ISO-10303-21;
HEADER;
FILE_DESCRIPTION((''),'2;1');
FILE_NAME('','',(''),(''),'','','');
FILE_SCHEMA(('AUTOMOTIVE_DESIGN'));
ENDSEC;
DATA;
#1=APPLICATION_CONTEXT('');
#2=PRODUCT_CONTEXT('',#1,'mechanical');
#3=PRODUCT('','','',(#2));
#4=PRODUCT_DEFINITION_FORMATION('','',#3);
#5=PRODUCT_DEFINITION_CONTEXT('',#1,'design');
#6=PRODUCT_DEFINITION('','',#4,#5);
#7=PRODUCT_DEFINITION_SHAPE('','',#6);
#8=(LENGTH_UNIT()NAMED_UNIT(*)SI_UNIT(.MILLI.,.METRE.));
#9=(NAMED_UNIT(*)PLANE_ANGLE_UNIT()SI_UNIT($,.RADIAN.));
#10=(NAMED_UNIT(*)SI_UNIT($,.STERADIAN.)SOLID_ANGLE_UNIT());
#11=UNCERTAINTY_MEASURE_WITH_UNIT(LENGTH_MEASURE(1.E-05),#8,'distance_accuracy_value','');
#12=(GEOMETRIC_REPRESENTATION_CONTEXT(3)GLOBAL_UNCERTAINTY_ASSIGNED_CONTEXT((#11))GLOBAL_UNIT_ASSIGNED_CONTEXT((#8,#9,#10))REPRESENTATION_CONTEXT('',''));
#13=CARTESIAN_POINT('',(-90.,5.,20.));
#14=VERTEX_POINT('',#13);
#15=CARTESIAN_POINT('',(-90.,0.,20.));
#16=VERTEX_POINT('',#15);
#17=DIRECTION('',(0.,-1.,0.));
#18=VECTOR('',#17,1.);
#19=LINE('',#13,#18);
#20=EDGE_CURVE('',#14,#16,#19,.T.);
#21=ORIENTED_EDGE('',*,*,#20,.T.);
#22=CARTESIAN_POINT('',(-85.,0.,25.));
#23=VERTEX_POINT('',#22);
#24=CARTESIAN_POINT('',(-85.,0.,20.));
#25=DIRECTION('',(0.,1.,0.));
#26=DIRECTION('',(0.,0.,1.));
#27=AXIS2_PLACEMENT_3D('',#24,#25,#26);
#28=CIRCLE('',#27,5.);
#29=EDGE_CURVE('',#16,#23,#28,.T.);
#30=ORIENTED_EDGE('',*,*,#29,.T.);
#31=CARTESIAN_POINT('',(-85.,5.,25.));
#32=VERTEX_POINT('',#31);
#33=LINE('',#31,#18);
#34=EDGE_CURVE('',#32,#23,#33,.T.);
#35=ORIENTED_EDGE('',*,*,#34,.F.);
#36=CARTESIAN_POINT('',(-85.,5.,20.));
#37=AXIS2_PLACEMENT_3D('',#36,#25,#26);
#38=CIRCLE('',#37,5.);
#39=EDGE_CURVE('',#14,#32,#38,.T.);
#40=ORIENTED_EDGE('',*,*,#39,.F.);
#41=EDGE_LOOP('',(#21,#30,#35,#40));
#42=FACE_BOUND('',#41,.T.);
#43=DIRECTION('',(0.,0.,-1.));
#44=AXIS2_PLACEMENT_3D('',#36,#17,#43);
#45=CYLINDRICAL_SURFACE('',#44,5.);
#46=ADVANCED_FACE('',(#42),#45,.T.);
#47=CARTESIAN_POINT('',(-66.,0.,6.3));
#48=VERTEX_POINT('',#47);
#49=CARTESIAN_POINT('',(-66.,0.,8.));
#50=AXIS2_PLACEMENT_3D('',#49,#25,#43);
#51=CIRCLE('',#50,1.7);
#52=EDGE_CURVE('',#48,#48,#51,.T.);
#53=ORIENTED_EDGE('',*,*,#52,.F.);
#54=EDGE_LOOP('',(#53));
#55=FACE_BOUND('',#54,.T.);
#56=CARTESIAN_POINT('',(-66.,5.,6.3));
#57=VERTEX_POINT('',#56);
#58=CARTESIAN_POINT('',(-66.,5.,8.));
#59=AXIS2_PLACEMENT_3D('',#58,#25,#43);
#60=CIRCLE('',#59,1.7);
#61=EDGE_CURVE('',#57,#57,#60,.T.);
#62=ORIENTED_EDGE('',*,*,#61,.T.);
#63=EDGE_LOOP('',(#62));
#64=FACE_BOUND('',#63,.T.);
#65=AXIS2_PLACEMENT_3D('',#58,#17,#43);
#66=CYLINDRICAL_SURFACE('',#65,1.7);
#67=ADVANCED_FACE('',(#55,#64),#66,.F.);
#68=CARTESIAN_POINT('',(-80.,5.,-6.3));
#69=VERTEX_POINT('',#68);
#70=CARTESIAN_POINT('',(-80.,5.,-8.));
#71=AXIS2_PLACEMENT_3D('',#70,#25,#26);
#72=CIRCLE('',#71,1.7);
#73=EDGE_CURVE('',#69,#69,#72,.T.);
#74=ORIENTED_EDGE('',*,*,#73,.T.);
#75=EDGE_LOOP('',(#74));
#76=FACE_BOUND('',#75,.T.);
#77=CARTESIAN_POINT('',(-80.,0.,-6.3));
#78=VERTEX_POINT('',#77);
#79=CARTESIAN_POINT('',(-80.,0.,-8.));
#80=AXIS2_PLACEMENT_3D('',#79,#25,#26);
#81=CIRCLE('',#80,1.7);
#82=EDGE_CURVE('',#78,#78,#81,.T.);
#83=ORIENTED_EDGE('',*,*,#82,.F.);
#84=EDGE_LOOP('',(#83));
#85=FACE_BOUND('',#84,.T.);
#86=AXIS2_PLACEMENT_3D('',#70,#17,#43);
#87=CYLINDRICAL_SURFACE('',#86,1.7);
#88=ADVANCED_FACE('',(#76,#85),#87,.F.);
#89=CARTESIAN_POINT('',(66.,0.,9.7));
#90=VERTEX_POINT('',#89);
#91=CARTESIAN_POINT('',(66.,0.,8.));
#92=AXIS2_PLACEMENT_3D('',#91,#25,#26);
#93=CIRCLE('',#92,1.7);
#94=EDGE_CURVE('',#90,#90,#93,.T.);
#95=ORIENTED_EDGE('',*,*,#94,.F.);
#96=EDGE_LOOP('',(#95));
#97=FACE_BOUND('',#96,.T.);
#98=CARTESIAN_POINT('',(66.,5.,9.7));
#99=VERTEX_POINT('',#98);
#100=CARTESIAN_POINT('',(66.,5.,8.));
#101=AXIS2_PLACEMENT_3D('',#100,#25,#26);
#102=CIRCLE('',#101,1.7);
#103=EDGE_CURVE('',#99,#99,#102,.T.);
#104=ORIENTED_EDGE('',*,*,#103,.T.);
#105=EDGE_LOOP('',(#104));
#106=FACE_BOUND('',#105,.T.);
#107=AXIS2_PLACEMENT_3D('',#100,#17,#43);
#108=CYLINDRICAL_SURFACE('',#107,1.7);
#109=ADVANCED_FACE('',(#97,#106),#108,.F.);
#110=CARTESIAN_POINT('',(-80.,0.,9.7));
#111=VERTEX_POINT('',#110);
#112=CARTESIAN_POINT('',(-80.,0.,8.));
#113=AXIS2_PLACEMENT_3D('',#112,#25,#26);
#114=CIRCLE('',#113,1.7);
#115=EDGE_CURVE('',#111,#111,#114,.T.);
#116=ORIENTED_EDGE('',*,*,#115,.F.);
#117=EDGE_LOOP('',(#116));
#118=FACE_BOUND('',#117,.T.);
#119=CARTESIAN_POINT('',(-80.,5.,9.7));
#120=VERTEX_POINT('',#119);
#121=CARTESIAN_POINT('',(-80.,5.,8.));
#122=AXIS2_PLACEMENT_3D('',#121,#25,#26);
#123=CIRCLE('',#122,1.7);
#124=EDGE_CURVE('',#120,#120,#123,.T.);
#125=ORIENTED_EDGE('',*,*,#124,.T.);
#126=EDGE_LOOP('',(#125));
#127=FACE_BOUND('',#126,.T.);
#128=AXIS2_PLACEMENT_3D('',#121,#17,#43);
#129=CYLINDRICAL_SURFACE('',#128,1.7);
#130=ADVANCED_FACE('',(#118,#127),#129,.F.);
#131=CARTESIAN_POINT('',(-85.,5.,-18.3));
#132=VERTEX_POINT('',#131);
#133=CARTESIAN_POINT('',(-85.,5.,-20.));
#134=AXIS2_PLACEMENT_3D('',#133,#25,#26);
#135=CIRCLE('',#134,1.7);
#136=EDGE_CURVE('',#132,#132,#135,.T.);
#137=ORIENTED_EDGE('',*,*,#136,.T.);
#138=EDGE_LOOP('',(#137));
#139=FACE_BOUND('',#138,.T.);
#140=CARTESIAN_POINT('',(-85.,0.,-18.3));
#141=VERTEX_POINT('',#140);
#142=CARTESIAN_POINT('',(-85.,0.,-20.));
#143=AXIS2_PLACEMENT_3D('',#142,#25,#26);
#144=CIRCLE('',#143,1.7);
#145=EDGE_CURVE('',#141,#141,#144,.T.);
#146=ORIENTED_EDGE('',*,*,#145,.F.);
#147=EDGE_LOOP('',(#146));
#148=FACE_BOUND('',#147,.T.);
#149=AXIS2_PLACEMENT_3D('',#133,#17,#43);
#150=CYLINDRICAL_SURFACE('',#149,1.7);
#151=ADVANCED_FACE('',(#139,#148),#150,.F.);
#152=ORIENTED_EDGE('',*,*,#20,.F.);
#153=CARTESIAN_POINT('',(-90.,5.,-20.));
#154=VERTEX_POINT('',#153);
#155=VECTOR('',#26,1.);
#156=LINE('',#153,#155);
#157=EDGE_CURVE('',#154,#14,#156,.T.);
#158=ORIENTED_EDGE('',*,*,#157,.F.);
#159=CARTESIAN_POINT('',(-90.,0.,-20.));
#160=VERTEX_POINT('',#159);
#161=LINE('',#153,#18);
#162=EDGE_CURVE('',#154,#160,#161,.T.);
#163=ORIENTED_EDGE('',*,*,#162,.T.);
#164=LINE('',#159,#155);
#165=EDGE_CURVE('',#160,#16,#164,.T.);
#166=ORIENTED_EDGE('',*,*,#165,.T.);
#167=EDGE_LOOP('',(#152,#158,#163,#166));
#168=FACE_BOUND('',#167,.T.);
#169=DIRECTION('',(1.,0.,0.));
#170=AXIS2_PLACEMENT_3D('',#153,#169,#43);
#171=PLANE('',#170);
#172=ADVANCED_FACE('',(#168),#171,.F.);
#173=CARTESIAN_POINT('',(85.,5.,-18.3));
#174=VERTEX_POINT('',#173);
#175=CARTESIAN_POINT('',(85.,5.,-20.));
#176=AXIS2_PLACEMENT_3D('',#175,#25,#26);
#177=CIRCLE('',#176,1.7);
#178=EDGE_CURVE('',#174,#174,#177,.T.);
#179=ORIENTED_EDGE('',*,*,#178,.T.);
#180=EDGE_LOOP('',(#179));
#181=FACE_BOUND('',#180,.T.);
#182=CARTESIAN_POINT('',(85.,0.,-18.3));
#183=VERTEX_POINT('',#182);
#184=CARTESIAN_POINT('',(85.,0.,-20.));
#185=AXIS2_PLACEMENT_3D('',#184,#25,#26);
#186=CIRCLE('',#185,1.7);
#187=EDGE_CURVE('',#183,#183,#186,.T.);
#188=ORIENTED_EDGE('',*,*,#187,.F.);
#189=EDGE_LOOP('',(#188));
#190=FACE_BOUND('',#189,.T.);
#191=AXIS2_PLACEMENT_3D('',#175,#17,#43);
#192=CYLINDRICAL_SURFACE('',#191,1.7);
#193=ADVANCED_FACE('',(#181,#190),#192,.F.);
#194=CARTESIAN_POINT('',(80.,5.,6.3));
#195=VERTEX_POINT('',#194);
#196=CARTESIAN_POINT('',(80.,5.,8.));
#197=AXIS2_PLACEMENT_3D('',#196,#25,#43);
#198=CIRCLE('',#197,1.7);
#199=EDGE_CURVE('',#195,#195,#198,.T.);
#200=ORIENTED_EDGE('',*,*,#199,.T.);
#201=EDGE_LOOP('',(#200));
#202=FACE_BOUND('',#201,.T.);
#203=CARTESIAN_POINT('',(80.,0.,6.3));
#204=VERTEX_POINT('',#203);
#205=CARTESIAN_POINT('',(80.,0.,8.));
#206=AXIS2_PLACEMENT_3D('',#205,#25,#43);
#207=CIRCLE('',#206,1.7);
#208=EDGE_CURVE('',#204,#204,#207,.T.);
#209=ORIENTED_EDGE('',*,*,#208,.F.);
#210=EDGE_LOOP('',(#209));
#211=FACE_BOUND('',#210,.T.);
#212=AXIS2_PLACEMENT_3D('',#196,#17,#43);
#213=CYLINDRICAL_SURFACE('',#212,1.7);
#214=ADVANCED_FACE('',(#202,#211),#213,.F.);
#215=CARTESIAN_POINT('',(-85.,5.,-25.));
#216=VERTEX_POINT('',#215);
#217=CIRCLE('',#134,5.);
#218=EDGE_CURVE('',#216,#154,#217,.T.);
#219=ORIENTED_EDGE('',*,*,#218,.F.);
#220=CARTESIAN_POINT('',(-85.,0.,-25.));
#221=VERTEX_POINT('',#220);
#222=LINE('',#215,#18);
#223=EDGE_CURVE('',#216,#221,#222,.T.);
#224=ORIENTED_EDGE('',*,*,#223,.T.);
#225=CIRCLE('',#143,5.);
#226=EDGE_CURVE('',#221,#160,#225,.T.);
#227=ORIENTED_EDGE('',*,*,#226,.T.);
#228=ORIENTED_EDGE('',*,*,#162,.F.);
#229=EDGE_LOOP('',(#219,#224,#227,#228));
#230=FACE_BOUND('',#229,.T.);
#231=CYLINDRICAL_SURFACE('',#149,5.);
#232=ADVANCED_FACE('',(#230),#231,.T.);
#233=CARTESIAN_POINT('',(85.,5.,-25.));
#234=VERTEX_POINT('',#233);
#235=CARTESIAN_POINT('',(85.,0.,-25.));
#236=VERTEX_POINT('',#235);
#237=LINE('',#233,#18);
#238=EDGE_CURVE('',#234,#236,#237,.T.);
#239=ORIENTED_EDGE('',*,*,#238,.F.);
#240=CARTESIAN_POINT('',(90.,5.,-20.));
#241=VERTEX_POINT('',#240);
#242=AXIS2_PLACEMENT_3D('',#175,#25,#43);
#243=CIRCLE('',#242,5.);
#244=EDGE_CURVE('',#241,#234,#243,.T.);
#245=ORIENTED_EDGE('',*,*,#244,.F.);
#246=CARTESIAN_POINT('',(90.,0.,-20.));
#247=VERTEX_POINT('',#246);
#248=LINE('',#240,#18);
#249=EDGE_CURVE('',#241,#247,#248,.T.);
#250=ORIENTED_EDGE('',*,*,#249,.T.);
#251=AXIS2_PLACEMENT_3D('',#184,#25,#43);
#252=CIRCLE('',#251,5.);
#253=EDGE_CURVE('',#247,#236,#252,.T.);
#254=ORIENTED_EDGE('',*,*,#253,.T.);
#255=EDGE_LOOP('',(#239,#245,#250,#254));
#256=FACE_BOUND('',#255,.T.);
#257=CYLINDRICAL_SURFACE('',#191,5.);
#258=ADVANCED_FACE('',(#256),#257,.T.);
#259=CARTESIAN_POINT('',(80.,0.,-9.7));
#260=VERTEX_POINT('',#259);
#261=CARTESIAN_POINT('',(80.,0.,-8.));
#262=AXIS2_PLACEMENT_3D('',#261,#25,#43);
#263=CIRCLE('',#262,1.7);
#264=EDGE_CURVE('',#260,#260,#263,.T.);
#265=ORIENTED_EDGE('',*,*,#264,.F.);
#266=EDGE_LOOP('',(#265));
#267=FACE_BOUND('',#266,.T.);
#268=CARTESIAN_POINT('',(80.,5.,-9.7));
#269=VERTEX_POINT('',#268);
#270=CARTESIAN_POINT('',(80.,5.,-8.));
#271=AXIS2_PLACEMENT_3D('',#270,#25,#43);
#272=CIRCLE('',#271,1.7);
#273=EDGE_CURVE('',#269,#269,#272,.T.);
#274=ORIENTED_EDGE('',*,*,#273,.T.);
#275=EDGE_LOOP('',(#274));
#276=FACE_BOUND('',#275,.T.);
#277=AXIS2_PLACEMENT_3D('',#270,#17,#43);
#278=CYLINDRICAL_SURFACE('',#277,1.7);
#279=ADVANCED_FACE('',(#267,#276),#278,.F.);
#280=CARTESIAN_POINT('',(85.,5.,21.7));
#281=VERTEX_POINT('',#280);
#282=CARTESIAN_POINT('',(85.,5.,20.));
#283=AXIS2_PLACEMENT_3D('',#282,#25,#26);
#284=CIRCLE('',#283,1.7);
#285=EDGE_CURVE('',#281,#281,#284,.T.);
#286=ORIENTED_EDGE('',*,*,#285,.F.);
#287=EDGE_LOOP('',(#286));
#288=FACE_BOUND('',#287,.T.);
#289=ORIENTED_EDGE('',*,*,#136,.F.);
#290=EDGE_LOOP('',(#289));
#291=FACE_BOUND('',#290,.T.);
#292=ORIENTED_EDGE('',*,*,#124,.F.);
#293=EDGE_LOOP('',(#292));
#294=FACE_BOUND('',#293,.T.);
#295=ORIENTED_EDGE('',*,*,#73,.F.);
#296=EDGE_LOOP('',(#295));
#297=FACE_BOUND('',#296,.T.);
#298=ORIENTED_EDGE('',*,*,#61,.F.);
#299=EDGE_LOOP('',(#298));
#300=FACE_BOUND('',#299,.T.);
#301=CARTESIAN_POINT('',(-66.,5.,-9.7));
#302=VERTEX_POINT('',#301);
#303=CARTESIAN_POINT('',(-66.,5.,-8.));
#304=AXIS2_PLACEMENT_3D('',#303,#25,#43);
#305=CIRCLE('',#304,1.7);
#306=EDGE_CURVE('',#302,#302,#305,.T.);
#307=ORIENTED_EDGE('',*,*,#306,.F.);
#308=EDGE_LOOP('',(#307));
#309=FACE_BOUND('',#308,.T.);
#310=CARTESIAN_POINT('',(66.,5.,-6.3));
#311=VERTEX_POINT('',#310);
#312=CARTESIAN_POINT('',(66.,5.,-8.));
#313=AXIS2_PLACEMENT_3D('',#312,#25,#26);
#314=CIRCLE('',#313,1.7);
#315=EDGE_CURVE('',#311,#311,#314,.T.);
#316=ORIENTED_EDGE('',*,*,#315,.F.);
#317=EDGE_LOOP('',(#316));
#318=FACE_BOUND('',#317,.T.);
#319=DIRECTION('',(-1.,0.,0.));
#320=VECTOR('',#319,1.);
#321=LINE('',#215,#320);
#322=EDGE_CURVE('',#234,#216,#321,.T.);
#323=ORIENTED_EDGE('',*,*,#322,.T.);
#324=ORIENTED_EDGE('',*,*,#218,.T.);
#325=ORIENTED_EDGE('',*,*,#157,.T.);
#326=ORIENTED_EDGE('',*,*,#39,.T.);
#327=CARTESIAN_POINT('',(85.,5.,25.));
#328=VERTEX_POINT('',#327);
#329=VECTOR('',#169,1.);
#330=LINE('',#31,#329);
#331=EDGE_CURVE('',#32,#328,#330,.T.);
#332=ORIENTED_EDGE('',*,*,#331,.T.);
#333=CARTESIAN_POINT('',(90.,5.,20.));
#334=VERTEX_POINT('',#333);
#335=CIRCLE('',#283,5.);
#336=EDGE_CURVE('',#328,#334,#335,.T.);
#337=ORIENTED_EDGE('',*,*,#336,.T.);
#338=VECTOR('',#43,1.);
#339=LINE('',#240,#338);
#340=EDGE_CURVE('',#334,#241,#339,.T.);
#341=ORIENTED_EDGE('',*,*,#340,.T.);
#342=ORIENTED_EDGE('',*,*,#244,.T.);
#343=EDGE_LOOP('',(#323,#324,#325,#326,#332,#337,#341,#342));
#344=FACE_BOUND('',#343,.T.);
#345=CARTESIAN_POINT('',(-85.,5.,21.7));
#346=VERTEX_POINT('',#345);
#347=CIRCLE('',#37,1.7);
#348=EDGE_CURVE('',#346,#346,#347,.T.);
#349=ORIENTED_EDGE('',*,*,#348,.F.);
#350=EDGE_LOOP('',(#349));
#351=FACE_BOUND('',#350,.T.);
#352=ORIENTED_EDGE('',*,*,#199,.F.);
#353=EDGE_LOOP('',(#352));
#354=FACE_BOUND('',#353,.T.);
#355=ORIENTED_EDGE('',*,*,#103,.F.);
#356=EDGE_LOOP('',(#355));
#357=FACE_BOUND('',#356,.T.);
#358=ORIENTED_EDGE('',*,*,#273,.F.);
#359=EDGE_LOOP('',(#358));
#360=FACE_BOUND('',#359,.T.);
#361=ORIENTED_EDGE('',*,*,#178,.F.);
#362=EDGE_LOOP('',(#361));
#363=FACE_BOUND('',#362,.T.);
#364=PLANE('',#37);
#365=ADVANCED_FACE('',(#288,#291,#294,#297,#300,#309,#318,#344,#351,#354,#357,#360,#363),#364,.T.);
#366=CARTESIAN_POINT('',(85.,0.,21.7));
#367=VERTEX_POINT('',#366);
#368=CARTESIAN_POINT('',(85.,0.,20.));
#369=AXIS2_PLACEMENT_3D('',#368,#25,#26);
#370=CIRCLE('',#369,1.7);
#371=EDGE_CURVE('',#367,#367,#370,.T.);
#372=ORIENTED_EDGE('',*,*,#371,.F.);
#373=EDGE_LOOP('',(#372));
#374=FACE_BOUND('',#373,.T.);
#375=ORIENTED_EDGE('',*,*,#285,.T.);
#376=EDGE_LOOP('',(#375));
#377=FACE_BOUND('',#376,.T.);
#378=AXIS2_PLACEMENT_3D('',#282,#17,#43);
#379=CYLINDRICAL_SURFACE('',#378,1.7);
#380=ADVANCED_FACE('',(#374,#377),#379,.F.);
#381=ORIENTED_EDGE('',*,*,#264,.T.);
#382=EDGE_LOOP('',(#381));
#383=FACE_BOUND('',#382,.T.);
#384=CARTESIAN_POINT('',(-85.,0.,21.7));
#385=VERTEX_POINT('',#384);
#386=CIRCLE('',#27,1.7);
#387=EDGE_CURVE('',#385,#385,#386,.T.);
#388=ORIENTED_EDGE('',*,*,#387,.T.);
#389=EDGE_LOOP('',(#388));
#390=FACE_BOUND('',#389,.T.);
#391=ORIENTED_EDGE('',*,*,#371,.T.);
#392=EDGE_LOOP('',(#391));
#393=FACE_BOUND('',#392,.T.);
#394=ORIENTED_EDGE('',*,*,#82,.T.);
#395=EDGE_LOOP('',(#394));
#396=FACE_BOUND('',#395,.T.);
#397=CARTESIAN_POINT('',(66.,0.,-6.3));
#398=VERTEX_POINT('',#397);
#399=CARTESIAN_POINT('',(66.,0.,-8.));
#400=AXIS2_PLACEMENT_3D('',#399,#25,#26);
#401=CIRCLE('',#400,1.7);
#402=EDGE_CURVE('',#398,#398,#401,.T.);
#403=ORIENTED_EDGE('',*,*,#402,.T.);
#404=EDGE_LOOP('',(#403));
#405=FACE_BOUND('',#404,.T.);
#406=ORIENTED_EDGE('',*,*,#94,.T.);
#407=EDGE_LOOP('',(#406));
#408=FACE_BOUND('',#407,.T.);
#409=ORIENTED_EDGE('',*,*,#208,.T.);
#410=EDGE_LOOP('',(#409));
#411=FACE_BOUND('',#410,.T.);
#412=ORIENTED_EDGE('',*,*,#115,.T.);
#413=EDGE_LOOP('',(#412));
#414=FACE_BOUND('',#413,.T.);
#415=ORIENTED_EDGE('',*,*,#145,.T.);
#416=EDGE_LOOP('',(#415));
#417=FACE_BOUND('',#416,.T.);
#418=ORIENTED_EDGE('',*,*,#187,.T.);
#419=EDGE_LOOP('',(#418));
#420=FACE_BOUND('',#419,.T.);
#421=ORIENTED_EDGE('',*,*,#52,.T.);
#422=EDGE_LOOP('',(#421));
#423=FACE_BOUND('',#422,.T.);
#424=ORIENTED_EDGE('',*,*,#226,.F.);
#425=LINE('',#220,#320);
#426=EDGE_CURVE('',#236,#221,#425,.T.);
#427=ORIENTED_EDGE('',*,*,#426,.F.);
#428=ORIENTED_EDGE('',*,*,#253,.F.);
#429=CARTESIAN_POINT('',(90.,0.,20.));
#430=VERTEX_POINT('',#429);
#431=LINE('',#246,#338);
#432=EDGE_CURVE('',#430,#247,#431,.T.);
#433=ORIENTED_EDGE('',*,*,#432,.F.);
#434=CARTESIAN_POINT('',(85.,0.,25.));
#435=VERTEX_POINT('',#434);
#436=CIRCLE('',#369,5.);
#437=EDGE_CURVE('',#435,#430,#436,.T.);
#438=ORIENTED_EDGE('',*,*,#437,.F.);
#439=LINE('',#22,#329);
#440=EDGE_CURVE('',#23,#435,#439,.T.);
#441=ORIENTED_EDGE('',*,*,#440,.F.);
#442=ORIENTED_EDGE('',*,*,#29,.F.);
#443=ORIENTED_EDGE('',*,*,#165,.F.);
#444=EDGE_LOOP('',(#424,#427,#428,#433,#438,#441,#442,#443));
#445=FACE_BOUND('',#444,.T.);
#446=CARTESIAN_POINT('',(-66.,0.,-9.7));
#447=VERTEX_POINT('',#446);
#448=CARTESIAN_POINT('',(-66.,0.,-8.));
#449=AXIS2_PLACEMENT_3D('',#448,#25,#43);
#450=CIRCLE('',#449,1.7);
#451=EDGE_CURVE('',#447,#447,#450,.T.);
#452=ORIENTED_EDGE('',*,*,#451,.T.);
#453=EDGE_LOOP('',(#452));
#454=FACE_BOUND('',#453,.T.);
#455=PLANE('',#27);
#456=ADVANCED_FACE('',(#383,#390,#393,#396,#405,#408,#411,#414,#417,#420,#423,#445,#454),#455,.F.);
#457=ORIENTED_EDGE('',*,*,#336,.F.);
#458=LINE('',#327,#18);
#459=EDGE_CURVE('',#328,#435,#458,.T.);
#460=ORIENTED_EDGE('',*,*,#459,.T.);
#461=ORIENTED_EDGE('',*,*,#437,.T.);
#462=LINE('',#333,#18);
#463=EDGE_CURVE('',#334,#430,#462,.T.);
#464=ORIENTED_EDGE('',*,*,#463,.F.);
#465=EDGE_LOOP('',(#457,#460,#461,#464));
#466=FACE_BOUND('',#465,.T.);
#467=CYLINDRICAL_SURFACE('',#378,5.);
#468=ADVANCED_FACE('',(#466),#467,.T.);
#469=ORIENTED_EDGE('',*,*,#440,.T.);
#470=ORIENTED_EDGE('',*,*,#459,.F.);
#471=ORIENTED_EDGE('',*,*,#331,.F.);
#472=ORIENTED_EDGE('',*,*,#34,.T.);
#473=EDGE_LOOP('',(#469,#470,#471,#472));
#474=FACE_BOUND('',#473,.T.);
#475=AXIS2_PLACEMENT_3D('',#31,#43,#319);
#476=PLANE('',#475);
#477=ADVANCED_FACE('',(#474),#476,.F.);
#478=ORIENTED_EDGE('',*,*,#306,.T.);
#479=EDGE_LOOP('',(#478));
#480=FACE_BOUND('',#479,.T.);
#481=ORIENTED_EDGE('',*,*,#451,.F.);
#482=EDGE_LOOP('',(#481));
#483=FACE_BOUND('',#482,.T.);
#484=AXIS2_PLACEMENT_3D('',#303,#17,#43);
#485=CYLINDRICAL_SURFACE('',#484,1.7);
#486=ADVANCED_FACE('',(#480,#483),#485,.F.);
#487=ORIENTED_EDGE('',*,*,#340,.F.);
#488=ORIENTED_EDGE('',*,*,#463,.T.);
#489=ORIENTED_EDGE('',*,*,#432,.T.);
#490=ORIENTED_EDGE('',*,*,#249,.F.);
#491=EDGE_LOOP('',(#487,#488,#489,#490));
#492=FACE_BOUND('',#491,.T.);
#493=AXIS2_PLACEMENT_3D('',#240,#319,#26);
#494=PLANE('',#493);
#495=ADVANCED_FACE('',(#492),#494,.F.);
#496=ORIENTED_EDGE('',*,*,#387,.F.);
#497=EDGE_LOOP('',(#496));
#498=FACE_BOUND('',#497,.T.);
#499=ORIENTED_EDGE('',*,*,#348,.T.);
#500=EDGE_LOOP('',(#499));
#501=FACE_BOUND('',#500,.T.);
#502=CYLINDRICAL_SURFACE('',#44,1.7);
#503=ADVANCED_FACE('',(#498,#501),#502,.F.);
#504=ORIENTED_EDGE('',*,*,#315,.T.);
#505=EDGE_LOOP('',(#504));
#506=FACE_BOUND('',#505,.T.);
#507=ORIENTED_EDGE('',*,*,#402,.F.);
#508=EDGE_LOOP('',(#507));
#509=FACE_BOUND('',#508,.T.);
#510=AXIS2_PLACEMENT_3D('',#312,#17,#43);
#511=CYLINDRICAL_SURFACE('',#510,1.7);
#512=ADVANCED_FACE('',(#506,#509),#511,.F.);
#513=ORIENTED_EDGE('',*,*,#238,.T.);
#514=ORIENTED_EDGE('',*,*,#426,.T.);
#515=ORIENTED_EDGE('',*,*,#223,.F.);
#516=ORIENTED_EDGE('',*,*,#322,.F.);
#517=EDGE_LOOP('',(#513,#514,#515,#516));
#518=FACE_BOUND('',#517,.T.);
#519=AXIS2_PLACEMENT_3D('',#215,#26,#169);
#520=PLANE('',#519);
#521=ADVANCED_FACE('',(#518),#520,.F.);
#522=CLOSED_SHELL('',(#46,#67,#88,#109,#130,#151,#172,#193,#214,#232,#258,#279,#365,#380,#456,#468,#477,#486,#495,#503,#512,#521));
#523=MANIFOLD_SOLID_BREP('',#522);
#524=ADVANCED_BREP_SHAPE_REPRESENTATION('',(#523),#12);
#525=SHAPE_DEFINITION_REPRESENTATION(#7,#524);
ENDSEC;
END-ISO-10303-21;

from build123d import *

# Parameters (mm, degrees)
SKETCH_1_R      = 1.7
EXTRUDE_1_DEPTH = 5


with BuildPart() as part:
    # 草图1 → 凸台-拉伸1 (new body)
    with BuildSketch(Plane(origin=(0, 0, 0), x_dir=(1, 0, 0), z_dir=(0, 1, 0))):
        with BuildLine():
            Line((-85, 25), (85, 25))
            ThreePointArc((85, 25), (88.535533906, 23.535533906), (90, 20))
            Line((90, 20), (90, -20))
            ThreePointArc((90, -20), (88.535533906, -23.535533906), (85, -25))
            Line((85, -25), (-85, -25))
            ThreePointArc((-85, -25), (-88.535533906, -23.535533906), (-90, -20))
            Line((-90, -20), (-90, 20))
            ThreePointArc((-90, 20), (-88.535533906, 23.535533906), (-85, 25))
        make_face()
        with Locations(Location((-85, 20, 0), (0, 0, 270))):
            Circle(SKETCH_1_R, mode=Mode.SUBTRACT)
        with Locations(Location((-85, -20, 0), (0, 0, 270))):
            Circle(SKETCH_1_R, mode=Mode.SUBTRACT)
        with Locations(Location((85, 20, 0), (0, 0, 270))):
            Circle(SKETCH_1_R, mode=Mode.SUBTRACT)
        with Locations(Location((85, -20, 0), (0, 0, 270))):
            Circle(SKETCH_1_R, mode=Mode.SUBTRACT)
        with Locations(Location((-80, 8, 0), (0, 0, 270))):
            Circle(SKETCH_1_R, mode=Mode.SUBTRACT)
        with Locations(Location((-80, -8, 0), (0, 0, 270))):
            Circle(SKETCH_1_R, mode=Mode.SUBTRACT)
        with Locations(Location((-66, -8, 0), (0, 0, 90))):
            Circle(SKETCH_1_R, mode=Mode.SUBTRACT)
        with Locations(Location((-66, 8, 0), (0, 0, 90))):
            Circle(SKETCH_1_R, mode=Mode.SUBTRACT)
        with Locations(Location((66, -8, 0), (0, 0, 270))):
            Circle(SKETCH_1_R, mode=Mode.SUBTRACT)
        with Locations(Location((66, 8, 0), (0, 0, 270))):
            Circle(SKETCH_1_R, mode=Mode.SUBTRACT)
        with Locations(Location((80, -8, 0), (0, 0, 90))):
            Circle(SKETCH_1_R, mode=Mode.SUBTRACT)
        with Locations(Location((80, 8, 0), (0, 0, 90))):
            Circle(SKETCH_1_R, mode=Mode.SUBTRACT)
    extrude(amount=EXTRUDE_1_DEPTH)


solid = part.part
